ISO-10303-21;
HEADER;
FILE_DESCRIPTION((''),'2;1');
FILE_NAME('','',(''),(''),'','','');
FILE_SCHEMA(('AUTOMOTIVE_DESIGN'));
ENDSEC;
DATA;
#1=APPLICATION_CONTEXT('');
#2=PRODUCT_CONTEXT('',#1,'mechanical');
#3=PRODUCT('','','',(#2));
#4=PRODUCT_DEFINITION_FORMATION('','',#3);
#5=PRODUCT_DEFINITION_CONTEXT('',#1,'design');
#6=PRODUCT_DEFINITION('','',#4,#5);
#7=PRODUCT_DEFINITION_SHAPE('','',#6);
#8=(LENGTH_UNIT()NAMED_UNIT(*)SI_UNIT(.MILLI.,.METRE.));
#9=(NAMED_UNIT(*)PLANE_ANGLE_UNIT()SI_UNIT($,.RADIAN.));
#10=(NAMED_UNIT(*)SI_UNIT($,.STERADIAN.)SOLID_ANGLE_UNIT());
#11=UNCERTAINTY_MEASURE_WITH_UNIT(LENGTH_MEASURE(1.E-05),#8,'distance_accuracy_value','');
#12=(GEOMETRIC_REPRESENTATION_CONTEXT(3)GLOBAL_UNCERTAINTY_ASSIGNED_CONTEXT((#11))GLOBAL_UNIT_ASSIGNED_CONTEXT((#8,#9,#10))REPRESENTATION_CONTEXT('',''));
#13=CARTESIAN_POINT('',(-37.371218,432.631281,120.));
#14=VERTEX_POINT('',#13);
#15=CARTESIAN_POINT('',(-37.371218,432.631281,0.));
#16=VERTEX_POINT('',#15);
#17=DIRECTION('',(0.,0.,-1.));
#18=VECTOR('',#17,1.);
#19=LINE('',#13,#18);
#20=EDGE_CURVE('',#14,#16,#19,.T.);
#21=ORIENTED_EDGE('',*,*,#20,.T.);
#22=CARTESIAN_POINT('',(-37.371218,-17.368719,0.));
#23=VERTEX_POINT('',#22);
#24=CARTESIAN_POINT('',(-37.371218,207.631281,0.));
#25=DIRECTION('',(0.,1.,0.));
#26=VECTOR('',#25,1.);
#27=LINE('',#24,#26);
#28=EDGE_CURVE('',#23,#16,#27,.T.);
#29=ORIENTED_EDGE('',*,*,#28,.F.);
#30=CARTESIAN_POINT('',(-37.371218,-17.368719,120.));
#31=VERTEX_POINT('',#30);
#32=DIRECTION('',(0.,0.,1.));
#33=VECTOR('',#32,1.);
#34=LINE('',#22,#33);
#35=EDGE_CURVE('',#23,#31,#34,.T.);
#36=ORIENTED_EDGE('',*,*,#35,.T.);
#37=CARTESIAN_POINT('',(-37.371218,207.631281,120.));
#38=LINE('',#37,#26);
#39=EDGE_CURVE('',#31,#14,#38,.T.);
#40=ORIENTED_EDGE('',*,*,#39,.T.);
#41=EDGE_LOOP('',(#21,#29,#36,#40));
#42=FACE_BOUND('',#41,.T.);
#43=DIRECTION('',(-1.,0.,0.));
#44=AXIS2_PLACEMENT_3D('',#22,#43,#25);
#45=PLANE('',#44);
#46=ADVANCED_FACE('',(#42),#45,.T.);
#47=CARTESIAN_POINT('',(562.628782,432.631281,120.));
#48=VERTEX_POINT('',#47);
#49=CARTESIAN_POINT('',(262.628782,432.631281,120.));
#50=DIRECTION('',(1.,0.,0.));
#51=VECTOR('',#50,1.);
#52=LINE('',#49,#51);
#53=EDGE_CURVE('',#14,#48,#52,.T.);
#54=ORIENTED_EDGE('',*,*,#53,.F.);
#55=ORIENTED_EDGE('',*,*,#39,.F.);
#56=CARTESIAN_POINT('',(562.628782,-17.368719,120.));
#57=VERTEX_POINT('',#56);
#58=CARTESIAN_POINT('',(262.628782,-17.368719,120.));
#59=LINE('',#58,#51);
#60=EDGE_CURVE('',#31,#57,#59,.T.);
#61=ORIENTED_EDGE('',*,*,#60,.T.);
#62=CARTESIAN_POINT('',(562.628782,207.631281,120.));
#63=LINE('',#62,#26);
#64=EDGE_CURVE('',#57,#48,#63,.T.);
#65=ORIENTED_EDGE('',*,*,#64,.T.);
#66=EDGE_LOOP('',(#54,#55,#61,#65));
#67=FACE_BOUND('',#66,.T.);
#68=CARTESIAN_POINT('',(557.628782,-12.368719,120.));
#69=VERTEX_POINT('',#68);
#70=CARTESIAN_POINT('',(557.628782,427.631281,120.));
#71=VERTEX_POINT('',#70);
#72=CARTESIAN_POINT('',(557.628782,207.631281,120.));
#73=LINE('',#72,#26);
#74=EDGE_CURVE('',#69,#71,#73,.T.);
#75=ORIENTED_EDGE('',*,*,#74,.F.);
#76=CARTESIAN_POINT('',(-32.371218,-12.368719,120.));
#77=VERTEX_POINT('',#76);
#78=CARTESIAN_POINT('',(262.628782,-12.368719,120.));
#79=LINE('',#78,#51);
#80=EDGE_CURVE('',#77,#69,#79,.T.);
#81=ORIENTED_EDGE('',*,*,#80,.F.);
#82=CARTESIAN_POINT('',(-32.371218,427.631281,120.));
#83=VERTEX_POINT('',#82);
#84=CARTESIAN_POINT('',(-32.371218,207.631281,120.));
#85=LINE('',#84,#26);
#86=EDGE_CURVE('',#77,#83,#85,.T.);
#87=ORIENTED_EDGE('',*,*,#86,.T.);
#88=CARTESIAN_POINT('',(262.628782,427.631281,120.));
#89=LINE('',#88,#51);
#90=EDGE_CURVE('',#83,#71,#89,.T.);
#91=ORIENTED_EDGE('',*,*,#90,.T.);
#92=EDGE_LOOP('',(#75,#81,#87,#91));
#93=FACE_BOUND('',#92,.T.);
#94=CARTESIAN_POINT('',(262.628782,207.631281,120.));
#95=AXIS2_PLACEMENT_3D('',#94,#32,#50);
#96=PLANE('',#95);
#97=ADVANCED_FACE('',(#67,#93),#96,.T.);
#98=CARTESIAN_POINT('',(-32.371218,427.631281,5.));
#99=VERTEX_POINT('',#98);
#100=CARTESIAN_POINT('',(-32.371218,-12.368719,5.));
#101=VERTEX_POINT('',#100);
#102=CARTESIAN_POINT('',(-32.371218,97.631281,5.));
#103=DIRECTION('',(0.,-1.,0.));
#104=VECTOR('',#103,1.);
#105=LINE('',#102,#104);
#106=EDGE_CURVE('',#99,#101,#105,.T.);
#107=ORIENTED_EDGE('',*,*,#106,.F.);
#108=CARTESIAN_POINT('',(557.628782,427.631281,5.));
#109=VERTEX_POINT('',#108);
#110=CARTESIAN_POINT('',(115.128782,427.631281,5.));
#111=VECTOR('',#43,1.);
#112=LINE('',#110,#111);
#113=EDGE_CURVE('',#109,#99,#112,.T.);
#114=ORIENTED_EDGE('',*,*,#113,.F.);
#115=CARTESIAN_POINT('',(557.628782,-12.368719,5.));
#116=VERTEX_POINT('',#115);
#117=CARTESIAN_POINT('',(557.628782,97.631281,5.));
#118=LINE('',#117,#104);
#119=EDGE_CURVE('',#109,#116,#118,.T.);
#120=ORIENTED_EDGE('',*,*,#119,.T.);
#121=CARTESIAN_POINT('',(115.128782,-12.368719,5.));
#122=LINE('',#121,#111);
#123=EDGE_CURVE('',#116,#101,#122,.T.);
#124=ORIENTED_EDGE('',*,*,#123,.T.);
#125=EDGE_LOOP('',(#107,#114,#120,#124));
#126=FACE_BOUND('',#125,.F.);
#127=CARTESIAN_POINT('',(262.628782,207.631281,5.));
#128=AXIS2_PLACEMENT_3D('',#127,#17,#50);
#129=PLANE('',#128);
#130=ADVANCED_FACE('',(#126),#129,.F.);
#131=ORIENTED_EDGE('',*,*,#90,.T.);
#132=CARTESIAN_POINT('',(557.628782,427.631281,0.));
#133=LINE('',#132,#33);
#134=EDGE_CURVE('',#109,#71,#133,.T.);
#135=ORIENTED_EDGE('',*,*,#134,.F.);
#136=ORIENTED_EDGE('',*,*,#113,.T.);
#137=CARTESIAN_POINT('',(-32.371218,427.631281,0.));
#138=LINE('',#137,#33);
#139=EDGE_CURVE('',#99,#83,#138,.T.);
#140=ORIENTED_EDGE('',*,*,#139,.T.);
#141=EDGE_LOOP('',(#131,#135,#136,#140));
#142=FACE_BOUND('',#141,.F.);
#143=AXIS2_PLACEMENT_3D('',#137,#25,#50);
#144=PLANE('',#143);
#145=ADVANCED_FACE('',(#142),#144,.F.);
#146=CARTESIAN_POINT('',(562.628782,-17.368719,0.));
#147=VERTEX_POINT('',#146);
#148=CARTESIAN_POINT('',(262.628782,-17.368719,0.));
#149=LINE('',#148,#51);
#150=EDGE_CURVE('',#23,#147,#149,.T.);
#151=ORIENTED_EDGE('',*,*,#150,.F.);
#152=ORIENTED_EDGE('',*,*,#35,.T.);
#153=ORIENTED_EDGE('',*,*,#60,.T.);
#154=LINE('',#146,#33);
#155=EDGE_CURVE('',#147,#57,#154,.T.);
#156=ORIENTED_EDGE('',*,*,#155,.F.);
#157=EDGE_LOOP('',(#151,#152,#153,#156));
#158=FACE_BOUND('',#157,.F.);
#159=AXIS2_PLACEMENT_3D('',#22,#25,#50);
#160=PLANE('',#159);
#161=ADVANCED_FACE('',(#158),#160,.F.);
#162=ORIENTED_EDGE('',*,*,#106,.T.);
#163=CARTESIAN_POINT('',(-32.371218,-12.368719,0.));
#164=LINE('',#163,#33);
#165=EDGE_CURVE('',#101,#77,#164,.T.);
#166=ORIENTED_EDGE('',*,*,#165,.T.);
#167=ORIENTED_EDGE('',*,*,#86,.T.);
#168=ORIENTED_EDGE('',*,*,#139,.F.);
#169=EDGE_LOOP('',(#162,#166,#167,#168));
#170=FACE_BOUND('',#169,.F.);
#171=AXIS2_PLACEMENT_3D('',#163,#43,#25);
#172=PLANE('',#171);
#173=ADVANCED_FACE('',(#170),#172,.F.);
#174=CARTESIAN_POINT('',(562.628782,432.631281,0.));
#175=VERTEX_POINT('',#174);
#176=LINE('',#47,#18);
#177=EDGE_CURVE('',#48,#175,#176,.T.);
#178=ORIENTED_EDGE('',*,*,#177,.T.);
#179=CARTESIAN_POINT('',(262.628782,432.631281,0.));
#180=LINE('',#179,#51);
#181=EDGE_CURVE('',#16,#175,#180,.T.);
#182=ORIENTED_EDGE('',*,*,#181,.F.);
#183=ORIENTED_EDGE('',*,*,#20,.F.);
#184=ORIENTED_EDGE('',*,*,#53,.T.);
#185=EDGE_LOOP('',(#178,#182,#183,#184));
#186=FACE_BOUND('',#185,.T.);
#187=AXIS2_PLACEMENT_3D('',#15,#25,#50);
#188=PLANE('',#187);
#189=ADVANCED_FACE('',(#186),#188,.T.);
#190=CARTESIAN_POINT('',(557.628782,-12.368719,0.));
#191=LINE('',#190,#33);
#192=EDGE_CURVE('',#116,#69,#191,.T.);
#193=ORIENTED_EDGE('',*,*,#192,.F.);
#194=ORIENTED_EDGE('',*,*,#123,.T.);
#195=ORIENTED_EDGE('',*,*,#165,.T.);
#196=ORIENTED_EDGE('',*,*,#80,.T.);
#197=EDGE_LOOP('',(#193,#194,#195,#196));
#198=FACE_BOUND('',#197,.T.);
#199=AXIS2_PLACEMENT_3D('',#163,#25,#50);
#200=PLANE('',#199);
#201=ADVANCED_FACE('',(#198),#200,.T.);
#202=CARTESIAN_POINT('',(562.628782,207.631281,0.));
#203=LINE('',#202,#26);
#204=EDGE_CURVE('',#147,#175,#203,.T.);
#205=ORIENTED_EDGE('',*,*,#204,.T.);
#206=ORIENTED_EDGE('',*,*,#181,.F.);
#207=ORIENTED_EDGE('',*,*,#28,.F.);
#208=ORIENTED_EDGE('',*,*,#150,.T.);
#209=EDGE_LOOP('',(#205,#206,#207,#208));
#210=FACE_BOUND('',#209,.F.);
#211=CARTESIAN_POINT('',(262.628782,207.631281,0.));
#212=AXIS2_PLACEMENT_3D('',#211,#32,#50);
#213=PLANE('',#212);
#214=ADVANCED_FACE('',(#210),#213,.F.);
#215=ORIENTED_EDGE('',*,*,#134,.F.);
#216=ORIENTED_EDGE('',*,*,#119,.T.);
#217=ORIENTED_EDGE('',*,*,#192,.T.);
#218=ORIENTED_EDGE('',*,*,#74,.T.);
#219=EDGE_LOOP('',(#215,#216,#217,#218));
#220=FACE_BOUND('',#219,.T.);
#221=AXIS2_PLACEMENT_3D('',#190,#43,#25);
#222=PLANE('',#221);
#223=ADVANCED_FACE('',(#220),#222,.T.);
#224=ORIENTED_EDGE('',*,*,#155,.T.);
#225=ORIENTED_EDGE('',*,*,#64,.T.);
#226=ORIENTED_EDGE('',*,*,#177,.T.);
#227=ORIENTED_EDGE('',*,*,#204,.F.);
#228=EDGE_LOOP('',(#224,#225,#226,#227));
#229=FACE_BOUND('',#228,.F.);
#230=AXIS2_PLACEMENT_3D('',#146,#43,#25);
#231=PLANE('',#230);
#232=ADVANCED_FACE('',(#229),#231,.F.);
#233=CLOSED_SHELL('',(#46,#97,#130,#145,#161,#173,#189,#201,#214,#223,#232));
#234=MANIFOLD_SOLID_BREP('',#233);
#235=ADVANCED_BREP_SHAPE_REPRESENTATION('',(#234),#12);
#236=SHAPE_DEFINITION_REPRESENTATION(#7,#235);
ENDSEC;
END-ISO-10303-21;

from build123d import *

# Parameters (mm, degrees)
F0_W     = 600
F0_H     = 450
F0_W_2   = 590
F0_H_2   = 440
F1_DEPTH = 120
F2_W     = 600
F2_H     = 450
F3_DEPTH = 5


with BuildPart() as f1:
    # F0 (on Top) → F1 (new body)
    with BuildSketch(Plane.XY):
        with Locations((262.628782, 207.631281)):
            Rectangle(F0_W, F0_H)
        with Locations((262.628782, 207.631281)):
            Rectangle(F0_W_2, F0_H_2, mode=Mode.SUBTRACT)
    extrude(amount=F1_DEPTH)

    # F2 (on face) → F3 (join)
    with BuildSketch(Plane(origin=(0, 0, 0), x_dir=(1, 0, 0), z_dir=(0, 0, -1))):
        with Locations((262.628782, -207.631281)):
            Rectangle(F2_W, F2_H)
    extrude(amount=-F3_DEPTH)


solid = f1.part
